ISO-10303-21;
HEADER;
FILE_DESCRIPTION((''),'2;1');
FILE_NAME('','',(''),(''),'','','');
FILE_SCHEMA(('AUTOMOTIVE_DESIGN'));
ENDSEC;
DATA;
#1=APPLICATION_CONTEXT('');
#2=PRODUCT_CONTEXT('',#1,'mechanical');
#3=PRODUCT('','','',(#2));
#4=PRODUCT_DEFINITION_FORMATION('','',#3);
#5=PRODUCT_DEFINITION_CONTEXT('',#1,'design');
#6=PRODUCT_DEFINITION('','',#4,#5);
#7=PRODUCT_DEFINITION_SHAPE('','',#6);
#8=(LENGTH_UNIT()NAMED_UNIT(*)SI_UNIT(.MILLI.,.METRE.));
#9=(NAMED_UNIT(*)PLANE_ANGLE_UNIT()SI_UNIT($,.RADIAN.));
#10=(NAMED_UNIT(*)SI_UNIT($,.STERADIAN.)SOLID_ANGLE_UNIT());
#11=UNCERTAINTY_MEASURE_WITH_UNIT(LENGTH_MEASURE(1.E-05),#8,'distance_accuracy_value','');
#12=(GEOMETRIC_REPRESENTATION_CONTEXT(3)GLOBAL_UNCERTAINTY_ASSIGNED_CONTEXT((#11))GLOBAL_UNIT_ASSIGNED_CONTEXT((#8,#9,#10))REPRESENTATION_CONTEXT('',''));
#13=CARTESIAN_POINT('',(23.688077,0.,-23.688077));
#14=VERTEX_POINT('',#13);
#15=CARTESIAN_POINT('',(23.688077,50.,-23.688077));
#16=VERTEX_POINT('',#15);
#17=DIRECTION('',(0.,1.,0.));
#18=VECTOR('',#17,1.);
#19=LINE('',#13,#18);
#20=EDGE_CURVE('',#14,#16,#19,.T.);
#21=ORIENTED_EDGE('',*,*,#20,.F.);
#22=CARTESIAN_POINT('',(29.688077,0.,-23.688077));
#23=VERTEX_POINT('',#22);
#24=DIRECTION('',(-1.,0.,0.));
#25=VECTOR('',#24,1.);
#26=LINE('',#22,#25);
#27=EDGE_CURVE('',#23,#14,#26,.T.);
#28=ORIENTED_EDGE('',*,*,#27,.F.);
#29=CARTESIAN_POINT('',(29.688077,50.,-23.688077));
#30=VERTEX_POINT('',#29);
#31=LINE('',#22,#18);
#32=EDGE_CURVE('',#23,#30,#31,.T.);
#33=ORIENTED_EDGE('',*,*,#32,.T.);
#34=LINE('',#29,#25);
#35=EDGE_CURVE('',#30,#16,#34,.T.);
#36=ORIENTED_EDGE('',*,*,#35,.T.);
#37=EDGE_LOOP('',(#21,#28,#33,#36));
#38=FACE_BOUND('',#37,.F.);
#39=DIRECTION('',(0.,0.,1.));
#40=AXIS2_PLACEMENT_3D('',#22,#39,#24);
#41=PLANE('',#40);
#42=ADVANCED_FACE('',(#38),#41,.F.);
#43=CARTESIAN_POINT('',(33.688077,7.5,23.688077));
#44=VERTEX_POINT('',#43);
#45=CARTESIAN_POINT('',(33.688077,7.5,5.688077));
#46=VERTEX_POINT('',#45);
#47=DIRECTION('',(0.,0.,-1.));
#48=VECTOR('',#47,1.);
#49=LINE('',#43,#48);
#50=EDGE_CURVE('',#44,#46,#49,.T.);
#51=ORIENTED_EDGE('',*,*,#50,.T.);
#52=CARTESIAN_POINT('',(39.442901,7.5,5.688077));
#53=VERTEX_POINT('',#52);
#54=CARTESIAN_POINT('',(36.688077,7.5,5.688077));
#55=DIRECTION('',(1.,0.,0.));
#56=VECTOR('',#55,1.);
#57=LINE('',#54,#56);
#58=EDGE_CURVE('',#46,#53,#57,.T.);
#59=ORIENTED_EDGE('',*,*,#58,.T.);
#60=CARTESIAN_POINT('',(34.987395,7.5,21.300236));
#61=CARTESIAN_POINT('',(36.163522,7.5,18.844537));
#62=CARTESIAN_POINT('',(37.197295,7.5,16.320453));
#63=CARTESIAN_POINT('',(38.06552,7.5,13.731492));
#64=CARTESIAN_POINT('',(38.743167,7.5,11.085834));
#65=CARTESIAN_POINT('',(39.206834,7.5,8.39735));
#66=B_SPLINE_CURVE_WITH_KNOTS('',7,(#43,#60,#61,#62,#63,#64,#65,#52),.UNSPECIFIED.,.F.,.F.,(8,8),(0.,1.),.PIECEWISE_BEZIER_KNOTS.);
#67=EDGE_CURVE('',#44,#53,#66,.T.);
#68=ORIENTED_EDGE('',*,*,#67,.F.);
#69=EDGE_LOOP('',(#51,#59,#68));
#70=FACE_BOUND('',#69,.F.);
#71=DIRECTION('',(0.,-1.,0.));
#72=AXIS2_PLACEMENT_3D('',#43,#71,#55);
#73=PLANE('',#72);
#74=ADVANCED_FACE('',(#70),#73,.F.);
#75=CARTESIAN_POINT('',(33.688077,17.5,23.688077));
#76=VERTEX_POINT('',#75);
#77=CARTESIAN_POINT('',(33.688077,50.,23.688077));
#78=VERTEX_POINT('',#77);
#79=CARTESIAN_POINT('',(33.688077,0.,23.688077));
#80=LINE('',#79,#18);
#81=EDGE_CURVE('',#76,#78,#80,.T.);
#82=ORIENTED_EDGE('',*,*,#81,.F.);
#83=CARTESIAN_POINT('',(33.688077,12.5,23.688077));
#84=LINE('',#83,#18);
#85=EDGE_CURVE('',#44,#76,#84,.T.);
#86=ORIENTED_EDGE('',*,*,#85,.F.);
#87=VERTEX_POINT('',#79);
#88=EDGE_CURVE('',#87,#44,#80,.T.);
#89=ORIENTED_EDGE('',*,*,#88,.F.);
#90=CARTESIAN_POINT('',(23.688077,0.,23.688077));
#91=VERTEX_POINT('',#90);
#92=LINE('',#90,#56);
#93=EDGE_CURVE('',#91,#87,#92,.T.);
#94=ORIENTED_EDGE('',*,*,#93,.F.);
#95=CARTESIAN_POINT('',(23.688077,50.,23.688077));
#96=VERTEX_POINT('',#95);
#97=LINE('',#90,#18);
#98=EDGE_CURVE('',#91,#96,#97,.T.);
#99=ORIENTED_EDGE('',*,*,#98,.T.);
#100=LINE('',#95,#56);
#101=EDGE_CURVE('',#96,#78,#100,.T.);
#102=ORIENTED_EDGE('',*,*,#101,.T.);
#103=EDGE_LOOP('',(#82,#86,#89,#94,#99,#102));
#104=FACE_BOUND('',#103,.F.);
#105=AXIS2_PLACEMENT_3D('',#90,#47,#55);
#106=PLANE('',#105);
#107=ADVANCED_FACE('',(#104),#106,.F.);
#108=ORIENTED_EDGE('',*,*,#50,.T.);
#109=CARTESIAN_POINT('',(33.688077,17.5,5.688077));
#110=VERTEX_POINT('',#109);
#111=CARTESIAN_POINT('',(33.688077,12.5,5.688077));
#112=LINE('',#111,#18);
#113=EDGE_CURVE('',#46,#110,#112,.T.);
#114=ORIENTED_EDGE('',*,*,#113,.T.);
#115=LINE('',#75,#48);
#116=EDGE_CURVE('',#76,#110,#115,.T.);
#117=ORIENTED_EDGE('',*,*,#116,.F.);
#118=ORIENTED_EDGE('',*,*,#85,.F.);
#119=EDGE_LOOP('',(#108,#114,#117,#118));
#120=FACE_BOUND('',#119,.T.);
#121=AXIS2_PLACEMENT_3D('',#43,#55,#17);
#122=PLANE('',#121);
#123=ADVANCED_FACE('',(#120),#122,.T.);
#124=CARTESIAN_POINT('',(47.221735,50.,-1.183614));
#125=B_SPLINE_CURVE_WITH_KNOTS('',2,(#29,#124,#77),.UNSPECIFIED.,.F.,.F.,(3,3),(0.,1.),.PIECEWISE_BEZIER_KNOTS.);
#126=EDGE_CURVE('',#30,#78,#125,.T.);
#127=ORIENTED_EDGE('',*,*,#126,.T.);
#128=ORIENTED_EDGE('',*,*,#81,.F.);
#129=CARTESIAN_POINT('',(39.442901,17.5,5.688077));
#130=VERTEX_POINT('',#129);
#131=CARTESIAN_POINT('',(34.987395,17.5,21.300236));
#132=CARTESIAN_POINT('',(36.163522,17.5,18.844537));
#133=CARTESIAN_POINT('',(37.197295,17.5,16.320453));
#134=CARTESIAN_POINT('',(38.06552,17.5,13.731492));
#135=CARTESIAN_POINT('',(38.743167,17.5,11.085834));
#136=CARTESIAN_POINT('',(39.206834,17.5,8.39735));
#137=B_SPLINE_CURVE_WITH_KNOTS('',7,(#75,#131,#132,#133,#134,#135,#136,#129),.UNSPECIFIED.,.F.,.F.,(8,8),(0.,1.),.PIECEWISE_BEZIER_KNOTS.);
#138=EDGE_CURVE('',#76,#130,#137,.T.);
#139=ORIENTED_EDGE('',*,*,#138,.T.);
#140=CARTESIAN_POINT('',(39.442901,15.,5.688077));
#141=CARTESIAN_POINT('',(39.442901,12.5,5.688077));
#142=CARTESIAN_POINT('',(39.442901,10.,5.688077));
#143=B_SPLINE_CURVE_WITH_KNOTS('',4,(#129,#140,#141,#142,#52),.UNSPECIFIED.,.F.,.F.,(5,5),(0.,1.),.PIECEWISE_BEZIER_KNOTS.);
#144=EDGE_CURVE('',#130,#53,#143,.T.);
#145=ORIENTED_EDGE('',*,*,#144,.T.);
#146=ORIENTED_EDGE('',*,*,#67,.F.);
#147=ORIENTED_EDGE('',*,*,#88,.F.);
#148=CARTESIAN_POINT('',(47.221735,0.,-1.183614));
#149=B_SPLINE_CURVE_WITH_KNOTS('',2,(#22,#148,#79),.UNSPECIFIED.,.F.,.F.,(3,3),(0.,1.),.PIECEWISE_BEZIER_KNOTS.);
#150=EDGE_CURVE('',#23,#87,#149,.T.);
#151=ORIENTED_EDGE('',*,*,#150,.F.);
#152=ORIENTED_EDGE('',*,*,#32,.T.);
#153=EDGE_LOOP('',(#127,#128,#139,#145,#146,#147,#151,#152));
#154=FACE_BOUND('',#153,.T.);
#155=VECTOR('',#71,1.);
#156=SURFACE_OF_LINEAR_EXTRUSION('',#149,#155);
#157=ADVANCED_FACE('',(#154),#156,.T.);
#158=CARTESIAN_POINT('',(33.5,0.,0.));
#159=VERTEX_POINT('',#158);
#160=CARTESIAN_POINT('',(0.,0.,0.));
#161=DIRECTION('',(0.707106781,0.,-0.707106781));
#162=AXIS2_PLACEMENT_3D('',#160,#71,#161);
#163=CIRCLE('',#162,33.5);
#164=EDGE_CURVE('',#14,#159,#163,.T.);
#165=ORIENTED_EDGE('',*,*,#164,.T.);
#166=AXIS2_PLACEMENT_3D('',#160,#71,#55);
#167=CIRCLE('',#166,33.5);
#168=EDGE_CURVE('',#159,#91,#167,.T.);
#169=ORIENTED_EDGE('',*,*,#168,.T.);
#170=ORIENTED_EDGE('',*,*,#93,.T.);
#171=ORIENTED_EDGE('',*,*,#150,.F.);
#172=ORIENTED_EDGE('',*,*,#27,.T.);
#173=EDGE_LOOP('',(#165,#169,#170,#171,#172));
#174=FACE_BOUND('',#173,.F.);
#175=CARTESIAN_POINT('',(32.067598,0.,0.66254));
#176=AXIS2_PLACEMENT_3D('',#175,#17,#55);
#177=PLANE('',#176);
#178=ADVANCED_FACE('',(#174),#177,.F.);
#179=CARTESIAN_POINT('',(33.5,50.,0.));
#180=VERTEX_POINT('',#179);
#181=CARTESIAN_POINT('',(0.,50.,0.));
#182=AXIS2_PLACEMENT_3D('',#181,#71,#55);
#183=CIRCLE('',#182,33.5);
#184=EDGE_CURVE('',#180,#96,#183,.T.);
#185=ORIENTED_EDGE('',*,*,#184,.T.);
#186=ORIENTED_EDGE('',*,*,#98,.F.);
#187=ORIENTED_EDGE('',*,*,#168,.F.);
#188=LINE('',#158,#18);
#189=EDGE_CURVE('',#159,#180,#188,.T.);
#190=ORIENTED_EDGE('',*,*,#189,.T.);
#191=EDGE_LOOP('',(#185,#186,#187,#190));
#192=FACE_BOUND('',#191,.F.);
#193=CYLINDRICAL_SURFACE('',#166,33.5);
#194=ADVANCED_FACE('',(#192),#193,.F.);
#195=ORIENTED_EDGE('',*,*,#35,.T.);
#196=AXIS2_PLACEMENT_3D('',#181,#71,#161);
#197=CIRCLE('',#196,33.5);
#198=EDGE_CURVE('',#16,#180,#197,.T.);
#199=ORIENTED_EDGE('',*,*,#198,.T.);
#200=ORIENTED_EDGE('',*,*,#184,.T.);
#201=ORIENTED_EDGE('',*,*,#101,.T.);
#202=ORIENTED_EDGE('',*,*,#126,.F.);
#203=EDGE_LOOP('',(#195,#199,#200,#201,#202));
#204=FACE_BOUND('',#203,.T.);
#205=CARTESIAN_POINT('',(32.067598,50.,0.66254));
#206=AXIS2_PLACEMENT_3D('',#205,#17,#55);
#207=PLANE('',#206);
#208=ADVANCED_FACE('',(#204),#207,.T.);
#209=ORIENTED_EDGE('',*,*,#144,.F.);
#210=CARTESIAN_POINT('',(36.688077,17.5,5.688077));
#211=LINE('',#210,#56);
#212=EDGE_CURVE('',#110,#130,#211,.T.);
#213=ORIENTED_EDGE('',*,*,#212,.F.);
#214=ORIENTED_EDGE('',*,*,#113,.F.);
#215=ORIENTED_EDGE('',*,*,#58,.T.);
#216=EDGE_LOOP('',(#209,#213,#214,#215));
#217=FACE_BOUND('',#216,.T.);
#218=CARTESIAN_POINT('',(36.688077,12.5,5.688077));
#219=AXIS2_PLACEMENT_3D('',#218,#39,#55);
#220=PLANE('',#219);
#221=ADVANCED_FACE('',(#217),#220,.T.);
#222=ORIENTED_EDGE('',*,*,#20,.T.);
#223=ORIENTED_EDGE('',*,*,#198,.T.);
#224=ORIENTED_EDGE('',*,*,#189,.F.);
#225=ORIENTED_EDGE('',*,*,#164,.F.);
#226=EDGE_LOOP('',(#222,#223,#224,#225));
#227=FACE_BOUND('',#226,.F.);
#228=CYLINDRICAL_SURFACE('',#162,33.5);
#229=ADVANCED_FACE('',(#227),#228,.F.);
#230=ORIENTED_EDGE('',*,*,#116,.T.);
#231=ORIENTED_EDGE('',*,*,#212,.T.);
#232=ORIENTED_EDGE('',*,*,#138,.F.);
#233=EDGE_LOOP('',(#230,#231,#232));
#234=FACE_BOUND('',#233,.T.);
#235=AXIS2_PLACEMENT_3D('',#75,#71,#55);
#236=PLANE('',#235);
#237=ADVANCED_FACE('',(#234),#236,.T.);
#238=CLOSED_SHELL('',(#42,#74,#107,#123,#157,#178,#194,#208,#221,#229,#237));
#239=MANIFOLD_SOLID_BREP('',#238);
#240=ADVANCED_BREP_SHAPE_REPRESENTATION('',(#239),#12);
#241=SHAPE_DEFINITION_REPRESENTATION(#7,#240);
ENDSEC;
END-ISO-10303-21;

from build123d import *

# Parameters (mm, degrees)
BOSS_EXTRUDE1_DEPTH = 50
SKETCH3_W           = 6
SKETCH3_H           = 10
CUT_EXTRUDE1_DEPTH  = 18


with BuildPart() as part:
    # Sketch2 → Boss-Extrude1 (new body)
    with BuildSketch(Plane(origin=(0, 0, 0), x_dir=(1, 0, 0), z_dir=(0, 1, 0))):
        with BuildLine():
            Line((29.68807717, 23.68807717), (23.68807717, 23.68807717))
            ThreePointArc((23.68807717, 23.68807717), (30.949964339, 12.819894984), (33.5, 0))
            ThreePointArc((33.5, 0), (30.949964339, -12.819894984), (23.68807717, -23.68807717))
            Line((23.68807717, -23.68807717), (33.68807717, -23.68807717))
            add(Edge.make_bspline(
                [(29.68807717, 23.68807717), (47.221735333, 1.183613852), (33.68807717, -23.68807717)],
                knots=[0, 0, 0, 1, 1, 1], degree=2))
        make_face()
    extrude(amount=BOSS_EXTRUDE1_DEPTH)

    # Sketch3 → Cut-Extrude1 (cut)
    with BuildSketch(Plane.XY.offset(23.68807717)):
        with Locations((36.68807717, 12.5)):
            Rectangle(SKETCH3_W, SKETCH3_H)
    extrude(amount=-CUT_EXTRUDE1_DEPTH, mode=Mode.SUBTRACT)


solid = part.part
